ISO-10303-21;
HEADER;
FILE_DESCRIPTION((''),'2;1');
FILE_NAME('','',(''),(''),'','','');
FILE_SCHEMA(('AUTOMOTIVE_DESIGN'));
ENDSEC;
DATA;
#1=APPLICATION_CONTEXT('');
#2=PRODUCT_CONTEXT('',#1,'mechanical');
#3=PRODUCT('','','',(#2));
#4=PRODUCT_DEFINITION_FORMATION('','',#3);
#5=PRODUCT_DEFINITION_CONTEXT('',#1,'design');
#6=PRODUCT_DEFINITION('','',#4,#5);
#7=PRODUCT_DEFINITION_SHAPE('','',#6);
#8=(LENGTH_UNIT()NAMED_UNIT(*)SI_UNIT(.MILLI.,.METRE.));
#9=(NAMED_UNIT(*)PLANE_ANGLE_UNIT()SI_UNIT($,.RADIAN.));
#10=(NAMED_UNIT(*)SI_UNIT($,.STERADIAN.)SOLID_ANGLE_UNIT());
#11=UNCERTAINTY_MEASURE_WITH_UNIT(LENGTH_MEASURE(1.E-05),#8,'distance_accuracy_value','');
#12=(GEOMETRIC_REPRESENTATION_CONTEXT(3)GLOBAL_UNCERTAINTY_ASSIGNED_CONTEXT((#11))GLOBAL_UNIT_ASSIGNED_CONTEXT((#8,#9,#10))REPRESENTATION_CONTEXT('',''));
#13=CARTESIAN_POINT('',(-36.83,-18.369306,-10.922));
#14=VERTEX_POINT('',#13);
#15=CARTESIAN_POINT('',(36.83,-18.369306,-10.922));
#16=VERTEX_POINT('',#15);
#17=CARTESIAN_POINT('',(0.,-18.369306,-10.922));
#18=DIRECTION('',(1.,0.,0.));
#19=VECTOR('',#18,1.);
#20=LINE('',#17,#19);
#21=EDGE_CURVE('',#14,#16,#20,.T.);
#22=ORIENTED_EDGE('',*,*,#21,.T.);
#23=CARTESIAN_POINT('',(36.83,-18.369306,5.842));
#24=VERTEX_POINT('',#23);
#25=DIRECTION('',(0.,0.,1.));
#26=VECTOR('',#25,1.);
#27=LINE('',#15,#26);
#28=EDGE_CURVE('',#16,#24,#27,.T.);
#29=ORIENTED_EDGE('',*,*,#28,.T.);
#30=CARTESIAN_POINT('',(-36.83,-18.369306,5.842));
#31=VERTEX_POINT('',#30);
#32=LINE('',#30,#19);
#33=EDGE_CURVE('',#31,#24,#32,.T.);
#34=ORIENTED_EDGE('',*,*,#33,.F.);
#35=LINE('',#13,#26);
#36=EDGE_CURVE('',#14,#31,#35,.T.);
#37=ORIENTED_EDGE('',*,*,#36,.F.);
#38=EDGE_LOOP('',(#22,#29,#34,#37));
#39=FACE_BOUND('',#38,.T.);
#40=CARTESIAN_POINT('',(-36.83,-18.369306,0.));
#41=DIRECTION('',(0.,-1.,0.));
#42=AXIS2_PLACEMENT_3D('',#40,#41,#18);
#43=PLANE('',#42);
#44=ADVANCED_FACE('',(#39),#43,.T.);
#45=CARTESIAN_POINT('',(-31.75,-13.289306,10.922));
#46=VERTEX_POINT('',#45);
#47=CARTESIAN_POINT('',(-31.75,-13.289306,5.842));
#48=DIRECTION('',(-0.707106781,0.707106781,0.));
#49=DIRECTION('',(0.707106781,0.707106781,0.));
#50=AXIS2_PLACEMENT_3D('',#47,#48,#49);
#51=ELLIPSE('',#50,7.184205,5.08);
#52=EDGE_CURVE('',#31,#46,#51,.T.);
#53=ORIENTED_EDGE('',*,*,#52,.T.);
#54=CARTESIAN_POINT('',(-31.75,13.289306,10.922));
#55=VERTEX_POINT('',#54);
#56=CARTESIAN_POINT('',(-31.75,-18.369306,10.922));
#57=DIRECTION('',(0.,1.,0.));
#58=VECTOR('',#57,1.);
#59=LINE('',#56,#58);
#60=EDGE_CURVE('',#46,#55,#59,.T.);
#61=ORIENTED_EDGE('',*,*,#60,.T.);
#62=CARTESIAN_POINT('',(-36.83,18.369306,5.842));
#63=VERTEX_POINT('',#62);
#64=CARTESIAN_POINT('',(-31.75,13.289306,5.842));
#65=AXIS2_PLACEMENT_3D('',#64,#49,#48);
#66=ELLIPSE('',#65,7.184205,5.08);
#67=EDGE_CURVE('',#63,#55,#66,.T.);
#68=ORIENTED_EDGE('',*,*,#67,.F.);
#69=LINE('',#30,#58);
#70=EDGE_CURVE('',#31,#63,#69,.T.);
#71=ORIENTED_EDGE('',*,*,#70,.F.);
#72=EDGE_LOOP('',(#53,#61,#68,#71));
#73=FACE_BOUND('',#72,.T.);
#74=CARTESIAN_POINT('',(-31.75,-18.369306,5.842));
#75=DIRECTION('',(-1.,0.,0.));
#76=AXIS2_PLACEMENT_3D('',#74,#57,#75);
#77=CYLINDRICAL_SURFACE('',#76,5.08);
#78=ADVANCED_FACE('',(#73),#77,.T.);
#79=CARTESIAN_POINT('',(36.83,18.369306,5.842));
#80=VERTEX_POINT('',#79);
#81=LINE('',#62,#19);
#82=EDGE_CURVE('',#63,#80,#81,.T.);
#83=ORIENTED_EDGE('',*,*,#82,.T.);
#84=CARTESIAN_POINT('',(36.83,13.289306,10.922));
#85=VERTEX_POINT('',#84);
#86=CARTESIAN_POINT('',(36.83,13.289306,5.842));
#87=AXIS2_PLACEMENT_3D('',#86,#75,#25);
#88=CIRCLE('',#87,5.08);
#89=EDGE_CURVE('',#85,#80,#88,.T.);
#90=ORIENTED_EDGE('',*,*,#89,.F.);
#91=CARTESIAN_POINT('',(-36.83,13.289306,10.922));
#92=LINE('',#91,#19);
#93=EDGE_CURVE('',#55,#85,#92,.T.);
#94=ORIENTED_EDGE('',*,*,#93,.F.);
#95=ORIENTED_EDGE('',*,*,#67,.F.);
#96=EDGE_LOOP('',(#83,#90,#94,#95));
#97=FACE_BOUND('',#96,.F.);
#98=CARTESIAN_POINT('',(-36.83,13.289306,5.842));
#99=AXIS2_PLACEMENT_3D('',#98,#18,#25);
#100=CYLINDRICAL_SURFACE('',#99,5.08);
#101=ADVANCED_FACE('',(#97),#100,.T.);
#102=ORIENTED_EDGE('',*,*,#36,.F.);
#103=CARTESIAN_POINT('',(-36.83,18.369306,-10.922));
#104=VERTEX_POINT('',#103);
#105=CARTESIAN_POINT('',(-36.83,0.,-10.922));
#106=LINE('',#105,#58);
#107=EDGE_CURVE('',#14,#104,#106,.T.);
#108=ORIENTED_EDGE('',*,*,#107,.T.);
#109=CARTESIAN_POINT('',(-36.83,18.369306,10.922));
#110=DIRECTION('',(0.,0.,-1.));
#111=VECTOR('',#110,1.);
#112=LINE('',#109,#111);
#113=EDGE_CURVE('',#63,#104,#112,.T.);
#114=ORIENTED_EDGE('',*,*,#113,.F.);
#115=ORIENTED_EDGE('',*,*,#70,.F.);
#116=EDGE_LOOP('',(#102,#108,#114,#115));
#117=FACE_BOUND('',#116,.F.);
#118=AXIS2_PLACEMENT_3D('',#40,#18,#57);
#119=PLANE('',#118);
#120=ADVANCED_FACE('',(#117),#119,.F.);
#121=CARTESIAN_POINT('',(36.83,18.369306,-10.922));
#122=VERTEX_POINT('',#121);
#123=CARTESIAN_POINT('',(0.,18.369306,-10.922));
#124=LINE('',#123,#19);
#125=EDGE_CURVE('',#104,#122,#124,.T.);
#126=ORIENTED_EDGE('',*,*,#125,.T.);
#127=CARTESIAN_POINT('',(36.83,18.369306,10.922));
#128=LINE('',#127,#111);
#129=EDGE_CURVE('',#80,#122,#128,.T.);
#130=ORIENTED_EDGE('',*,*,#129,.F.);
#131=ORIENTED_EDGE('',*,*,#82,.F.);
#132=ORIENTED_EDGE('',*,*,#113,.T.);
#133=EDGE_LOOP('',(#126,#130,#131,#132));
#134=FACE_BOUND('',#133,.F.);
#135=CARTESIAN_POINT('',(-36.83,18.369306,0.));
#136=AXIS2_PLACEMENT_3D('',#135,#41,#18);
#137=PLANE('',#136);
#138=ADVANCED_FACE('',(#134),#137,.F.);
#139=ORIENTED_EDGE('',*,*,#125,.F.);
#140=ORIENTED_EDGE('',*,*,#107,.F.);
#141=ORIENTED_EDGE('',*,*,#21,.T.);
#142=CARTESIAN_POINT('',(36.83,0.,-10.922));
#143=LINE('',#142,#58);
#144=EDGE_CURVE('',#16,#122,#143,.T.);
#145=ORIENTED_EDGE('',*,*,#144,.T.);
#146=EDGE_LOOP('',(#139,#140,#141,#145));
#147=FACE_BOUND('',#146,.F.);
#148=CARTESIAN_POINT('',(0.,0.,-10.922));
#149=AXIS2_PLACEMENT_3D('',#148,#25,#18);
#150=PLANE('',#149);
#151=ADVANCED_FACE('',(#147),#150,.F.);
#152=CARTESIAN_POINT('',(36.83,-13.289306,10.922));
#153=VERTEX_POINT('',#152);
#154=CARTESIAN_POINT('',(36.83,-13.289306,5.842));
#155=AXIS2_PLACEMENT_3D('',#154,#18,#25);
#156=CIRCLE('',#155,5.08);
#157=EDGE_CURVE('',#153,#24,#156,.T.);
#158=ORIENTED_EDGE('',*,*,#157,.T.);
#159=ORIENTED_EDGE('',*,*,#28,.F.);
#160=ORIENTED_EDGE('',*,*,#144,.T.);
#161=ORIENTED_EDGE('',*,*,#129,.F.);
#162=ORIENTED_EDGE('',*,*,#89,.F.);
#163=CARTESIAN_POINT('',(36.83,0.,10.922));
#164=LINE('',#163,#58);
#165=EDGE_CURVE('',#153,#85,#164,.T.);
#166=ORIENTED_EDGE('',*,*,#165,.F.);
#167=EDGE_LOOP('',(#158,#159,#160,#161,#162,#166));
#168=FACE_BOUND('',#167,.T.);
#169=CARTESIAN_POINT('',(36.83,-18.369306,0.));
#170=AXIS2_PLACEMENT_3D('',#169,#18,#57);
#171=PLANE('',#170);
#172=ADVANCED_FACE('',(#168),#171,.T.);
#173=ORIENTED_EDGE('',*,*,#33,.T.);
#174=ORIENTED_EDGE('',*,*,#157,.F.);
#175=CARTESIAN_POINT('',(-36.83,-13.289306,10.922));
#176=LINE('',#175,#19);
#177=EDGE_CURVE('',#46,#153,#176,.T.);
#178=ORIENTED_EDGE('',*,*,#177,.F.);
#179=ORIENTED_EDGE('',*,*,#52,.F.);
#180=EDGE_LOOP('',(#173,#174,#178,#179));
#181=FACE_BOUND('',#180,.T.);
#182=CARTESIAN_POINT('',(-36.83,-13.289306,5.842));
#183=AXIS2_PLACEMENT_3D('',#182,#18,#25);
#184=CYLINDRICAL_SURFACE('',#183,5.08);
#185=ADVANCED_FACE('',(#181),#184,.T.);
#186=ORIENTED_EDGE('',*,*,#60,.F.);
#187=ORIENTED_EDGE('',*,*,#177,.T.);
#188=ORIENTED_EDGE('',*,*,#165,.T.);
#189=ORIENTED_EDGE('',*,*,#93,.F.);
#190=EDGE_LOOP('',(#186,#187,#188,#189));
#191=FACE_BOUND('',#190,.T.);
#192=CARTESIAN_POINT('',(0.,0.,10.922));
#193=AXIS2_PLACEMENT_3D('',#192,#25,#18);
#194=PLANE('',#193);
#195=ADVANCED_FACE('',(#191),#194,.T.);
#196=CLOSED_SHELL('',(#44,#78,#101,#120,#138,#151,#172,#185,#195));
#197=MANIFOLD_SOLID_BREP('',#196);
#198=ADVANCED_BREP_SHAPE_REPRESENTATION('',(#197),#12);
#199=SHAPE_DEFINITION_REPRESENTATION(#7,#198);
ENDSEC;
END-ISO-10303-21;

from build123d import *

# Parameters (mm, degrees)
F0_W     = 73.66
F0_H     = 36.738612
F1_DEPTH = 10.922
F2_R     = 5.08


with BuildPart() as f1:
    # F0 (on Top) → F1 (new body, symmetric)
    with BuildSketch(Plane.XY):
        Rectangle(F0_W, F0_H)
    extrude(amount=F1_DEPTH, both=True)

    # F2
    f2_edges = [f1.edges().sort_by_distance(p)[0] for p in [
        (-36.83, 0, 10.922),
        (0, -18.369306, 10.922),
        (0, 18.369306, 10.922),
    ]]
    fillet(f2_edges, radius=F2_R)


solid = f1.part
